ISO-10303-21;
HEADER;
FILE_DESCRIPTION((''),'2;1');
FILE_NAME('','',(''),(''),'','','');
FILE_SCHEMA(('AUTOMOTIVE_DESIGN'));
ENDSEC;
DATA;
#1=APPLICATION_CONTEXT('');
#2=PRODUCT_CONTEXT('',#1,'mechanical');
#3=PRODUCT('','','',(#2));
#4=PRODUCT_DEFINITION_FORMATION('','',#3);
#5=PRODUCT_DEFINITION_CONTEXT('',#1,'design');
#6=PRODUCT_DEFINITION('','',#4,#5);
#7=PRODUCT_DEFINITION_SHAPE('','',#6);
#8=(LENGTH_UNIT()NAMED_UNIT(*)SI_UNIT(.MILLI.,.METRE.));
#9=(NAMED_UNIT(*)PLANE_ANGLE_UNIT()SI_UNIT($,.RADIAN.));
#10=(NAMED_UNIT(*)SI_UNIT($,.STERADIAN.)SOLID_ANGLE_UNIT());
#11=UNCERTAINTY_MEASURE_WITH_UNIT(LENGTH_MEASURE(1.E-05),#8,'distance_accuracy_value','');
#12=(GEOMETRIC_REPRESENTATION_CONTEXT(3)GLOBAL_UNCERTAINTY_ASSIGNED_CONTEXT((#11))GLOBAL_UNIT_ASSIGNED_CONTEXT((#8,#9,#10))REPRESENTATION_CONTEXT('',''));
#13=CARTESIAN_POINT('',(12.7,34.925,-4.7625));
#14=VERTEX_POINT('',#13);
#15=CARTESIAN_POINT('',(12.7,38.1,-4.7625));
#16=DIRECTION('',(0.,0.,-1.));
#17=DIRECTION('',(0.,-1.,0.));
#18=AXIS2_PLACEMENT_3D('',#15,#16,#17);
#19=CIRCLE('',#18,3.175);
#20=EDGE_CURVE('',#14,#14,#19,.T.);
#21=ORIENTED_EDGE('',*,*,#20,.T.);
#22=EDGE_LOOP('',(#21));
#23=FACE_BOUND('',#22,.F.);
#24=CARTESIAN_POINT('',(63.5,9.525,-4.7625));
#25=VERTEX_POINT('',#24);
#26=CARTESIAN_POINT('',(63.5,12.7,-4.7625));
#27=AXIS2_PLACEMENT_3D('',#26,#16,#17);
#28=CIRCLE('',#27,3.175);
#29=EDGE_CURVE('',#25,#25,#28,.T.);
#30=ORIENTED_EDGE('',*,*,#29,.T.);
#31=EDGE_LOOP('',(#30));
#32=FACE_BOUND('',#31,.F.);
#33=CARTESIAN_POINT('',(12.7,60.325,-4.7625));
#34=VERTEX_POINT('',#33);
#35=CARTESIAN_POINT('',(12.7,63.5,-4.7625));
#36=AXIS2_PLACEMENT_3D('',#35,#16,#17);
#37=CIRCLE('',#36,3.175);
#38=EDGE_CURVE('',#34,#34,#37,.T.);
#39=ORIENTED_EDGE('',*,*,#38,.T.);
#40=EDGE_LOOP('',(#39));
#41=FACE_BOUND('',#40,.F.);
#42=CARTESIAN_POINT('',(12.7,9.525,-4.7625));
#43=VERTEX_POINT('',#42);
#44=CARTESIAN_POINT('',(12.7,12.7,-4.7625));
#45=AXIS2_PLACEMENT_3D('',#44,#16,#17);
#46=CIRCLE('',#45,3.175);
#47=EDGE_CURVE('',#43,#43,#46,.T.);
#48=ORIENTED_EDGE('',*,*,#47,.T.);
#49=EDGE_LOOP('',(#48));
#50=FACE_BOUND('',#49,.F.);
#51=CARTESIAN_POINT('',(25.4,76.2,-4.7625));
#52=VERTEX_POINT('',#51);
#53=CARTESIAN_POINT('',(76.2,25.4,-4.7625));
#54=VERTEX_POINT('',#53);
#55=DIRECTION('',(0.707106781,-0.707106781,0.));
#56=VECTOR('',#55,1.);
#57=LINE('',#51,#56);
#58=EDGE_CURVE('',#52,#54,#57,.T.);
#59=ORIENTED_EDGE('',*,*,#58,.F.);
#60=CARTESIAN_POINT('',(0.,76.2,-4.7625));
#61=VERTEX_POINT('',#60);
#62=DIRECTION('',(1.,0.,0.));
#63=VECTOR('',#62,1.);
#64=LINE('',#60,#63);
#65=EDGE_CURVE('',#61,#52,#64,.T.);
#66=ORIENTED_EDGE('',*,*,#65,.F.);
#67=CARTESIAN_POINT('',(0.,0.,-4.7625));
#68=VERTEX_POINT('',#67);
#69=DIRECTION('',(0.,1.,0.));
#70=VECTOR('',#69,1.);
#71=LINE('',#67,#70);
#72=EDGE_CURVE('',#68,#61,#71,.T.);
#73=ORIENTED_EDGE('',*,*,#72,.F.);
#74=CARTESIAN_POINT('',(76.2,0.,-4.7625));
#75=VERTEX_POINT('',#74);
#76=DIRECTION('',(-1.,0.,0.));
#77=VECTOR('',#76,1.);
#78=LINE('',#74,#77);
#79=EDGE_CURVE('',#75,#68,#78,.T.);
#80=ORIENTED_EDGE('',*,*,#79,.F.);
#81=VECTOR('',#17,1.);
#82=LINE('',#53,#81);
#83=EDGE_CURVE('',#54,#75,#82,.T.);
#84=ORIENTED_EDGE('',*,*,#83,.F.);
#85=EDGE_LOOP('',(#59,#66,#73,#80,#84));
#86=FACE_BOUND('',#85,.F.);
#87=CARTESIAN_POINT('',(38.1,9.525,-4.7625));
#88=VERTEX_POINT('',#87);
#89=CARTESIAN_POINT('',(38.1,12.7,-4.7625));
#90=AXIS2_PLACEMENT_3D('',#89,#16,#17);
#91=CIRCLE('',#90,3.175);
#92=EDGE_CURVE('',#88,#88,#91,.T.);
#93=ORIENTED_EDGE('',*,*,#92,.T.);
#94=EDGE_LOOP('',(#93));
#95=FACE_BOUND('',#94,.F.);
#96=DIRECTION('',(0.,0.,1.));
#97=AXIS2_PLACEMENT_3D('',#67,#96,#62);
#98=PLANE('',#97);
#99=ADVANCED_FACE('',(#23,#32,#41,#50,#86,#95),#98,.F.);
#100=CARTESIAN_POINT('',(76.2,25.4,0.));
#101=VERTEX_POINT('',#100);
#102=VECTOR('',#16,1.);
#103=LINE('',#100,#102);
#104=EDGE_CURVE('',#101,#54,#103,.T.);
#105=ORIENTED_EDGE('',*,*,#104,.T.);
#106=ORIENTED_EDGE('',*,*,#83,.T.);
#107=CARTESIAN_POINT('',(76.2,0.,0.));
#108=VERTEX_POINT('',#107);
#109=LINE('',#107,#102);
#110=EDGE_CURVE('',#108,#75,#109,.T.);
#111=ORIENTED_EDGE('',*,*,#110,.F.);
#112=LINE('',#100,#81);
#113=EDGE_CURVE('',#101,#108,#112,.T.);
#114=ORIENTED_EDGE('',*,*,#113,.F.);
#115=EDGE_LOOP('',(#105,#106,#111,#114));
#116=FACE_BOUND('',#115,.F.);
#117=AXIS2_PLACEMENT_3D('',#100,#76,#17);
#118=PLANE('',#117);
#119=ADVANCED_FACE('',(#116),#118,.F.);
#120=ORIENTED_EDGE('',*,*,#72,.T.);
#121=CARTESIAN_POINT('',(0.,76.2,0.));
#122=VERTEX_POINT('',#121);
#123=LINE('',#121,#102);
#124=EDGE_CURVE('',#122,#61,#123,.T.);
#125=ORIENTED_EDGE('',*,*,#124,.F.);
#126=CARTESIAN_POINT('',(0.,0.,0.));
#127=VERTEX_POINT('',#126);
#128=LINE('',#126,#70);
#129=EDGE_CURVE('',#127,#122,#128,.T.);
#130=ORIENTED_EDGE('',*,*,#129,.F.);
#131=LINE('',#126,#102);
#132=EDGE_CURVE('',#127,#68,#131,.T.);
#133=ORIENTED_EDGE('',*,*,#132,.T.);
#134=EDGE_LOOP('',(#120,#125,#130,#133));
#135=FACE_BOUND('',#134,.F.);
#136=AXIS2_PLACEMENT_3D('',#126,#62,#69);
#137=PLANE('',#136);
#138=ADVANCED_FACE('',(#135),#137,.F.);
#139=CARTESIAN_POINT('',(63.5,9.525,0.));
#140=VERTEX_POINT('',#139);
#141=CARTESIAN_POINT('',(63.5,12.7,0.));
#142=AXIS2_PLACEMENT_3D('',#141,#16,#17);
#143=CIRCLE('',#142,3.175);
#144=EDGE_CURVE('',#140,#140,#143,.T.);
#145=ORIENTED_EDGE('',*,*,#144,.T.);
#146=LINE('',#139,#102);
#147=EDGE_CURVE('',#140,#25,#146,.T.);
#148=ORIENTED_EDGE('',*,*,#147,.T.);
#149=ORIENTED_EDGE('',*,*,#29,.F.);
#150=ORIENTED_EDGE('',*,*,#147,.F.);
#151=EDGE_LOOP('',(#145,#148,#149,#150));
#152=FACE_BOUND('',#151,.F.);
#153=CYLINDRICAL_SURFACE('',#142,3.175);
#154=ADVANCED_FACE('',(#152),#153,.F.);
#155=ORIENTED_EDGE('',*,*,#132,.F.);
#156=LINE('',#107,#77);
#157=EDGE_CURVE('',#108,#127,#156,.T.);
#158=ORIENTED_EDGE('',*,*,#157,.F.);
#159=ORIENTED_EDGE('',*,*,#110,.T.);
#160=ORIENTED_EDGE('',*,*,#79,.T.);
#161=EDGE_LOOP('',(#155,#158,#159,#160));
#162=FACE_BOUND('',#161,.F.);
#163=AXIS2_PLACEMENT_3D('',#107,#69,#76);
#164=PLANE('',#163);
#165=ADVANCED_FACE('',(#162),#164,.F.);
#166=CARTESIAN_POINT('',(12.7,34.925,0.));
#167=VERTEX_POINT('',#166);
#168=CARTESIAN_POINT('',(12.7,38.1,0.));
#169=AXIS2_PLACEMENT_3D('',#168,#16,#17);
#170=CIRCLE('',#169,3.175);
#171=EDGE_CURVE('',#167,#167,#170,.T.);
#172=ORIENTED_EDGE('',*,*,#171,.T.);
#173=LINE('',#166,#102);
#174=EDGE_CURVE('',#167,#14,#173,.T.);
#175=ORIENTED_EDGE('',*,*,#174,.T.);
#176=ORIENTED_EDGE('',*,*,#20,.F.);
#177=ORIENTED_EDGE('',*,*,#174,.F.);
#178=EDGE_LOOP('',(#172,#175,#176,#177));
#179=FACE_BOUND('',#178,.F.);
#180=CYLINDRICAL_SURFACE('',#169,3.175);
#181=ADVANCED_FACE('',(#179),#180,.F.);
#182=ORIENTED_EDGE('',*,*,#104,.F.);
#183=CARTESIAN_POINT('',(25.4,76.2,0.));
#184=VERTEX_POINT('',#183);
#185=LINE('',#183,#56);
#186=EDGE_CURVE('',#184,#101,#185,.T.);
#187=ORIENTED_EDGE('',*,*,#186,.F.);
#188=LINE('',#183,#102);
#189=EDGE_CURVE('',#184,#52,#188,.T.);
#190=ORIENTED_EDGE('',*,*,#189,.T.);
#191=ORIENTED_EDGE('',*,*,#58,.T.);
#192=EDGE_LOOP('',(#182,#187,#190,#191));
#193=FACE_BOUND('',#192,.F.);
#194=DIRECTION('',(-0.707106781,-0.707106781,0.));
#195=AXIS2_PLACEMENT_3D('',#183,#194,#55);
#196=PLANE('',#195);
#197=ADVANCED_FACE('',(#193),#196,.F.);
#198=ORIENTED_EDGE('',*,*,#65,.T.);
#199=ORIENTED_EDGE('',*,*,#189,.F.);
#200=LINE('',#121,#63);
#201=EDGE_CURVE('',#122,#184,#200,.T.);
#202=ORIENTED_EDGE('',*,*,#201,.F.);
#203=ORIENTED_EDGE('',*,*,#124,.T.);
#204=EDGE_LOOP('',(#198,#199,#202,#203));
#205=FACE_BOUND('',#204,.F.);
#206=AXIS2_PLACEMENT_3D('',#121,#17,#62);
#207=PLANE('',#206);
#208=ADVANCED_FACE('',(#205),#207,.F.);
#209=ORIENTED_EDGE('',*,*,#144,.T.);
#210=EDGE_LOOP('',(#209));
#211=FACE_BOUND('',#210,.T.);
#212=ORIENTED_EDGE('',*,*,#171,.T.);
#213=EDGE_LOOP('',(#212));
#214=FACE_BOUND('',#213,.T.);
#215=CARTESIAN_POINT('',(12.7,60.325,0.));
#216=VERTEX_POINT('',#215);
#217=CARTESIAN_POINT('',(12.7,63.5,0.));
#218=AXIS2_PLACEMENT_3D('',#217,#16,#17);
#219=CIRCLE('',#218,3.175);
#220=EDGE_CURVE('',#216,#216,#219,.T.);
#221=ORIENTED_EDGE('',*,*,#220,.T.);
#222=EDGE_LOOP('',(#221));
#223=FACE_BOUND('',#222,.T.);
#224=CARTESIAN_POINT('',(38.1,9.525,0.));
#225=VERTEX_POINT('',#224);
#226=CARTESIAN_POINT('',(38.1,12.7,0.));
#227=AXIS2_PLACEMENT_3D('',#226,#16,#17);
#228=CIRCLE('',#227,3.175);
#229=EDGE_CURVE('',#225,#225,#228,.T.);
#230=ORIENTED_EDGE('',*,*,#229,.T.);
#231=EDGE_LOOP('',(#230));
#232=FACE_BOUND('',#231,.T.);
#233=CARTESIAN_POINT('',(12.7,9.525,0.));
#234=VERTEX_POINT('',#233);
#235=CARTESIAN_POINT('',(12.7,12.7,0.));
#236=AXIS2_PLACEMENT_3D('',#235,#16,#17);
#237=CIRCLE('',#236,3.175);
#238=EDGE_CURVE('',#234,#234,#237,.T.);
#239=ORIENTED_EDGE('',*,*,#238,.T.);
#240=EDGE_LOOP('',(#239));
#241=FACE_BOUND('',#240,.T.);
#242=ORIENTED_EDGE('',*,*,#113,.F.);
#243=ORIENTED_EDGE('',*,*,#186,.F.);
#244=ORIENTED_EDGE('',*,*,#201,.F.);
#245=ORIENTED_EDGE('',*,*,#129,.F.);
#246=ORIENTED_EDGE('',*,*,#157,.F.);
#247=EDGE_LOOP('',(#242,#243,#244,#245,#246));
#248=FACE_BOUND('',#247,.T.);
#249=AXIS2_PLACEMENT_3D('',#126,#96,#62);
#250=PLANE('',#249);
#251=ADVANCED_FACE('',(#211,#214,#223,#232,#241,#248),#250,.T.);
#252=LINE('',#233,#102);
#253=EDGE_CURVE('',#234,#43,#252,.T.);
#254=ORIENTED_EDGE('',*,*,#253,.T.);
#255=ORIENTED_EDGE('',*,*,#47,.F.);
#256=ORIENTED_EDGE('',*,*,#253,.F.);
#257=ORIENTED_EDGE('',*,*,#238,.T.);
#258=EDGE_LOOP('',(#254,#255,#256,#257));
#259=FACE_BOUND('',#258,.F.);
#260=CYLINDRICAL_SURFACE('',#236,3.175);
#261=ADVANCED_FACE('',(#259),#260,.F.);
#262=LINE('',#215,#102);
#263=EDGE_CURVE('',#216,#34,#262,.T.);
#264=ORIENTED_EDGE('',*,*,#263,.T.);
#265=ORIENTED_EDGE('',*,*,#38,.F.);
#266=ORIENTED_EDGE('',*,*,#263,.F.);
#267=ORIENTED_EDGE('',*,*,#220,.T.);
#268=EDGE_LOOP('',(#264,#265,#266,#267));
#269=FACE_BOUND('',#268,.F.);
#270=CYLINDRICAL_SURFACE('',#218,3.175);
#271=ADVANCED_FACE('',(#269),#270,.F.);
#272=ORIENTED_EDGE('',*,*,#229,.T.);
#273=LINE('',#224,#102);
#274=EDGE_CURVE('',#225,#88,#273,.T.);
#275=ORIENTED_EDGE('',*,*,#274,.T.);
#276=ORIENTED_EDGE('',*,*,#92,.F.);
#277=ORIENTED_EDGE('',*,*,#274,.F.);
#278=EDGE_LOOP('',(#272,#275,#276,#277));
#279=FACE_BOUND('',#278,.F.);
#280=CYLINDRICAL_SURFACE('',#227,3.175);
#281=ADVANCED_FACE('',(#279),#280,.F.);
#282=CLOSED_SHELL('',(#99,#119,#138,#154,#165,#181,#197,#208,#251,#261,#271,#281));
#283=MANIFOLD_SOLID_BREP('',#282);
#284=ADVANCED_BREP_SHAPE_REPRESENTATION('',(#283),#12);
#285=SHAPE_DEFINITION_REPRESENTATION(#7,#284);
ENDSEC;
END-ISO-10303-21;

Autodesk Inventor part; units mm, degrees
ref_plane "YZ Plane" through (0, 0, 0) normal (1, 0, 0) x (0, 1, 0)
ref_plane "XZ Plane" through (0, 0, 0) normal (0, 1, 0) x (-1, 0, 0)
ref_plane "XY Plane" through (0, 0, 0) normal (0, 0, 1) x (1, 0, 0)
sketch "Sketch1" plane through (0, 0, 0) normal (0, 0, 1) x (1, 0, 0)
  line L0 (76.2, 0) -> (0, 0)
  line L1 (0, 0) -> (0, 76.2)
  line L2 (0, 76.2) -> (25.4, 76.2)
  line L3 (25.4, 76.2) -> (76.2, 25.4)
  line L4 (76.2, 25.4) -> (76.2, 0)
  point P0 (12.7, 63.5)
  point P1 (12.7, 38.1)
  point P2 (12.7, 12.7)
  point P3 (38.1, 12.7)
  point P4 (63.5, 12.7)
  dimension "d0" = 76.2
  dimension "d1" = 76.2
  dimension "d2" = 25.4
  dimension "d3" = 25.4
  dimension "d4" = 12.7
  dimension "d5" = 12.7
  dimension "d6" = 25.4
  dimension "d7" = 25.4
  dimension "d8" = 25.4
  dimension "d9" = 25.4
extrude "Extrusion1" add sketch "Sketch1" against normal blind 4.7625
hole "Hole1" at (12.7, 63.5, 0) at (12.7, 38.1, 0) at (12.7, 12.7, 0) at (38.1, 12.7, 0) at (63.5, 12.7, 0) direction (0, 0, -1) diameter 6.35 depth 25.4 tip angle 118
properties part number "8020_gussetplate"
